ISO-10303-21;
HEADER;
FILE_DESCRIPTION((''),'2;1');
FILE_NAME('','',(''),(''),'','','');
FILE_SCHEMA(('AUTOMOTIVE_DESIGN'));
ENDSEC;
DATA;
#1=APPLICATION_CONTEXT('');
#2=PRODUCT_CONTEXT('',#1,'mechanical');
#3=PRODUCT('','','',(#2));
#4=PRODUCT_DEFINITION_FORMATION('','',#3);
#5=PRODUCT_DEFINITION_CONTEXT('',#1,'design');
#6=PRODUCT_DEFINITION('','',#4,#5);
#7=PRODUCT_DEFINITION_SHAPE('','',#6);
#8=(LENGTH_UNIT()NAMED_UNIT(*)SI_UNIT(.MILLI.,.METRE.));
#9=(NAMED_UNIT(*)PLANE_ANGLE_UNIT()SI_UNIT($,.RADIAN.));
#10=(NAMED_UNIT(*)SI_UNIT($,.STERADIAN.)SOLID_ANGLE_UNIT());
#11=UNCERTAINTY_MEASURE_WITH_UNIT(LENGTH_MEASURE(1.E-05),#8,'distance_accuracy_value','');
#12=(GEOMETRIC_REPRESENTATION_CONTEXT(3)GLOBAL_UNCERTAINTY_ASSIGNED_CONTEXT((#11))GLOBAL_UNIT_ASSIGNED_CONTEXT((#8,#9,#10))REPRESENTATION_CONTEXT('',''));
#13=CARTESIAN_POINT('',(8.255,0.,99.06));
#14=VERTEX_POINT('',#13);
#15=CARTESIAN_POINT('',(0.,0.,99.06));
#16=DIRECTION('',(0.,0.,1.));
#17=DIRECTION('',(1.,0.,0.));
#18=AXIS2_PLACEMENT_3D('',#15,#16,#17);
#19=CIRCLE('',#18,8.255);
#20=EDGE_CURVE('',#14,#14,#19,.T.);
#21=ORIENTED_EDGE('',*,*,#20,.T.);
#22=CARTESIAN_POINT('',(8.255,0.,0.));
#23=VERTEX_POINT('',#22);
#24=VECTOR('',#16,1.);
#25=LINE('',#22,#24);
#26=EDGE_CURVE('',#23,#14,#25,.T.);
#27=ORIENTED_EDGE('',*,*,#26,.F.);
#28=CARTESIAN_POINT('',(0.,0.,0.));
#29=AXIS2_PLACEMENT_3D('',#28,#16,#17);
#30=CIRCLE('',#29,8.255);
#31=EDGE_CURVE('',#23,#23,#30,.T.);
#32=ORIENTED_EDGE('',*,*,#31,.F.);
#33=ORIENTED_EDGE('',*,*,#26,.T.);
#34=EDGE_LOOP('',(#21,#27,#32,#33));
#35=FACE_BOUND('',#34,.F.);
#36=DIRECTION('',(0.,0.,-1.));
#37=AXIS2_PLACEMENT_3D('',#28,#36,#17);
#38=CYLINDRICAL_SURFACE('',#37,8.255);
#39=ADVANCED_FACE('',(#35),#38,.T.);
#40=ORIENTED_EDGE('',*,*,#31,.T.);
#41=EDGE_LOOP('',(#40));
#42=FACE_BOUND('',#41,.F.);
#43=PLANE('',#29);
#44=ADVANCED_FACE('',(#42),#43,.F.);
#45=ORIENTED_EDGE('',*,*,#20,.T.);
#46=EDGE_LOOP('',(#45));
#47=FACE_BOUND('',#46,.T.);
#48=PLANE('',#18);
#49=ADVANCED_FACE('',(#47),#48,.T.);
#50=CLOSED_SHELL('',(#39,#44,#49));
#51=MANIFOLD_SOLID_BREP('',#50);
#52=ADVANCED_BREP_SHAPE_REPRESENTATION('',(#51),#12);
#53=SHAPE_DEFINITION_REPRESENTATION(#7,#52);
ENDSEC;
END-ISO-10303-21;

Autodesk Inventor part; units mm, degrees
ref_plane "YZ Plane" through (0, 0, 0) normal (1, 0, 0) x (0, 1, 0)
ref_plane "XZ Plane" through (0, 0, 0) normal (0, 1, 0) x (-1, 0, 0)
ref_plane "XY Plane" through (0, 0, 0) normal (0, 0, 1) x (1, 0, 0)
sketch "Sketch1" plane through (0, 0, 0) normal (0, 0, 1) x (1, 0, 0)
  circle A0 centre (0, 0) radius 8.255
  dimension "d0" = 16.51
extrude "Extrusion1" add sketch "Sketch1" along normal blind 99.06
properties part number "RobotArm Pivot"
